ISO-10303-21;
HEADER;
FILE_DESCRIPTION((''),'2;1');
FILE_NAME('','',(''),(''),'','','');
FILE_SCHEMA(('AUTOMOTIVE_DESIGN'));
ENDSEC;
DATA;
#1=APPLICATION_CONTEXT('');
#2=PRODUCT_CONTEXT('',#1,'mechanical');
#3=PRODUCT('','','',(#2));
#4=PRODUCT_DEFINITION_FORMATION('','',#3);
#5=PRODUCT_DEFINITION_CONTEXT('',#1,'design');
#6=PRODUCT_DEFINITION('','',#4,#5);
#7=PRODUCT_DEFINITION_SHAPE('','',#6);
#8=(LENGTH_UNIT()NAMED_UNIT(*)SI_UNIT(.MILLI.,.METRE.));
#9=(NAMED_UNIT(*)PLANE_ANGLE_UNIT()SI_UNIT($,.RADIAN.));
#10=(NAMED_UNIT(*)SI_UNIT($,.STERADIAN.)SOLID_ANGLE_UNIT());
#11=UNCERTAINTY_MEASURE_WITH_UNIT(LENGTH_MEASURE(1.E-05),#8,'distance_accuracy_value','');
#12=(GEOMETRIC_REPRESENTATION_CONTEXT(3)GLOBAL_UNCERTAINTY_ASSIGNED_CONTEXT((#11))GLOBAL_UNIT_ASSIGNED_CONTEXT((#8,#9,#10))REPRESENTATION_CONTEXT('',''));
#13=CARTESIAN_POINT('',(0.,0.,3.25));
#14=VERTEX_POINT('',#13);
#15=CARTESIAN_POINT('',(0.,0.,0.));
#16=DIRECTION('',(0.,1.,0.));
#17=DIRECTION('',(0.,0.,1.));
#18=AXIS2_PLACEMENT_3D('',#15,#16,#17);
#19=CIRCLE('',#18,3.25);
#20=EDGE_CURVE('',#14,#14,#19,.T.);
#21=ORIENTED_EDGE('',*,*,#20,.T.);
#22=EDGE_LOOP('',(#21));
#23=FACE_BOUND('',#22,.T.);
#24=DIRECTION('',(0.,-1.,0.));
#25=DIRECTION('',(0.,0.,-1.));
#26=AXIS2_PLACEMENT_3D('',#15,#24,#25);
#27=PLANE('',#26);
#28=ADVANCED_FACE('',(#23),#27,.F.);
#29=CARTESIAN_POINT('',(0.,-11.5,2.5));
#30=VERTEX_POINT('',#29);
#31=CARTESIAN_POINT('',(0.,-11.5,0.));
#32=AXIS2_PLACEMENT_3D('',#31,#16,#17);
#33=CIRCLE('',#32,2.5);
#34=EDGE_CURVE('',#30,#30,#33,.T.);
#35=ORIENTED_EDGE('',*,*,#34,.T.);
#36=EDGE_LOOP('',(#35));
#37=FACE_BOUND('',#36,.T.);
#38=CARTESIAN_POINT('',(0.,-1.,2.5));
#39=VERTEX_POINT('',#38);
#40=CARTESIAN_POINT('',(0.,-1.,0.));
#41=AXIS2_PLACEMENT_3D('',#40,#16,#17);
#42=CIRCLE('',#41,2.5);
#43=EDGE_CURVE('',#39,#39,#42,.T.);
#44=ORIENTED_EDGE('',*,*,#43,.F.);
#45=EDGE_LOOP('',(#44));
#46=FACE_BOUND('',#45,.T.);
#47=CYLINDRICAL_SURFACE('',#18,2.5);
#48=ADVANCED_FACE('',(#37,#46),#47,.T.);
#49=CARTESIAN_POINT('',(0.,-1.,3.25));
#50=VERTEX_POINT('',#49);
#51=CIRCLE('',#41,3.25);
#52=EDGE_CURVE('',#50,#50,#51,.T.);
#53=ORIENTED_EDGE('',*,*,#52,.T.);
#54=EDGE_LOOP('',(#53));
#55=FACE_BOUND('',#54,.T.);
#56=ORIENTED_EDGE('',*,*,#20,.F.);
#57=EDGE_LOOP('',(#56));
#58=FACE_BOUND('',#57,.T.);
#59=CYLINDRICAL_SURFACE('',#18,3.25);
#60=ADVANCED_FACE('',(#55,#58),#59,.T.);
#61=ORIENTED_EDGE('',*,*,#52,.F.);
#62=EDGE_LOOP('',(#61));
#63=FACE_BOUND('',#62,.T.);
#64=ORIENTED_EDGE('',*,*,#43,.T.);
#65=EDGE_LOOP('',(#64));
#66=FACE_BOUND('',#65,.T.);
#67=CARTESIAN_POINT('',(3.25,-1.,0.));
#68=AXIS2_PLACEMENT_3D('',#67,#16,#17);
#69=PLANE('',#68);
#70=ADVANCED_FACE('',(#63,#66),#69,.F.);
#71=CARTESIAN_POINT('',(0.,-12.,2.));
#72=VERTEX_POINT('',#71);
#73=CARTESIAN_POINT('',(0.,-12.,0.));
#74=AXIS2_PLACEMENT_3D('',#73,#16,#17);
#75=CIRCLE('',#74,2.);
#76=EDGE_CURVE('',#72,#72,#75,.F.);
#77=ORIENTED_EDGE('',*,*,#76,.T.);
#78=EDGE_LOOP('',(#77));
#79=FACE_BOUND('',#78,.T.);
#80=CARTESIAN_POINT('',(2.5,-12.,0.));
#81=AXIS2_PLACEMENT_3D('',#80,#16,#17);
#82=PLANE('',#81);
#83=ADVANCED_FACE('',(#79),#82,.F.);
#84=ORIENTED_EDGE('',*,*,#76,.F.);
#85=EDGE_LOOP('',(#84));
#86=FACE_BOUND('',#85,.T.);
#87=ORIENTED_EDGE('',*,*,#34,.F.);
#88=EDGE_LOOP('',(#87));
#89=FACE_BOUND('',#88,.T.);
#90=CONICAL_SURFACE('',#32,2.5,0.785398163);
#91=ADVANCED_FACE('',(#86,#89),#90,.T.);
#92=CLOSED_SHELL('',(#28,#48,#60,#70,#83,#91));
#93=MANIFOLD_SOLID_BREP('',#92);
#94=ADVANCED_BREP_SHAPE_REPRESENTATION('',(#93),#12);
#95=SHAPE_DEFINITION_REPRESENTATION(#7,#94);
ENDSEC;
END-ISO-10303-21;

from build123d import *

# Parameters (mm, degrees)
CHAFL_N1_SIZE = 0.5


with BuildPart() as part:
    # Croquis1 → Revolución1 (revolve)
    with BuildSketch(Plane.XY):
        Polygon((0, 0), (3.25, 0), (3.25, -1), (2.5, -1), (2.5, -12), (0, -12), align=None)
    revolve(axis=Axis((0, 0, 0), (0, -1, 0)))

    # Chaflán1
    chafl_n1_edges = [part.edges().sort_by_distance(p)[0] for p in [
        (-2.5, -12, 0),
    ]]
    chamfer(chafl_n1_edges, length=CHAFL_N1_SIZE)


solid = part.part
